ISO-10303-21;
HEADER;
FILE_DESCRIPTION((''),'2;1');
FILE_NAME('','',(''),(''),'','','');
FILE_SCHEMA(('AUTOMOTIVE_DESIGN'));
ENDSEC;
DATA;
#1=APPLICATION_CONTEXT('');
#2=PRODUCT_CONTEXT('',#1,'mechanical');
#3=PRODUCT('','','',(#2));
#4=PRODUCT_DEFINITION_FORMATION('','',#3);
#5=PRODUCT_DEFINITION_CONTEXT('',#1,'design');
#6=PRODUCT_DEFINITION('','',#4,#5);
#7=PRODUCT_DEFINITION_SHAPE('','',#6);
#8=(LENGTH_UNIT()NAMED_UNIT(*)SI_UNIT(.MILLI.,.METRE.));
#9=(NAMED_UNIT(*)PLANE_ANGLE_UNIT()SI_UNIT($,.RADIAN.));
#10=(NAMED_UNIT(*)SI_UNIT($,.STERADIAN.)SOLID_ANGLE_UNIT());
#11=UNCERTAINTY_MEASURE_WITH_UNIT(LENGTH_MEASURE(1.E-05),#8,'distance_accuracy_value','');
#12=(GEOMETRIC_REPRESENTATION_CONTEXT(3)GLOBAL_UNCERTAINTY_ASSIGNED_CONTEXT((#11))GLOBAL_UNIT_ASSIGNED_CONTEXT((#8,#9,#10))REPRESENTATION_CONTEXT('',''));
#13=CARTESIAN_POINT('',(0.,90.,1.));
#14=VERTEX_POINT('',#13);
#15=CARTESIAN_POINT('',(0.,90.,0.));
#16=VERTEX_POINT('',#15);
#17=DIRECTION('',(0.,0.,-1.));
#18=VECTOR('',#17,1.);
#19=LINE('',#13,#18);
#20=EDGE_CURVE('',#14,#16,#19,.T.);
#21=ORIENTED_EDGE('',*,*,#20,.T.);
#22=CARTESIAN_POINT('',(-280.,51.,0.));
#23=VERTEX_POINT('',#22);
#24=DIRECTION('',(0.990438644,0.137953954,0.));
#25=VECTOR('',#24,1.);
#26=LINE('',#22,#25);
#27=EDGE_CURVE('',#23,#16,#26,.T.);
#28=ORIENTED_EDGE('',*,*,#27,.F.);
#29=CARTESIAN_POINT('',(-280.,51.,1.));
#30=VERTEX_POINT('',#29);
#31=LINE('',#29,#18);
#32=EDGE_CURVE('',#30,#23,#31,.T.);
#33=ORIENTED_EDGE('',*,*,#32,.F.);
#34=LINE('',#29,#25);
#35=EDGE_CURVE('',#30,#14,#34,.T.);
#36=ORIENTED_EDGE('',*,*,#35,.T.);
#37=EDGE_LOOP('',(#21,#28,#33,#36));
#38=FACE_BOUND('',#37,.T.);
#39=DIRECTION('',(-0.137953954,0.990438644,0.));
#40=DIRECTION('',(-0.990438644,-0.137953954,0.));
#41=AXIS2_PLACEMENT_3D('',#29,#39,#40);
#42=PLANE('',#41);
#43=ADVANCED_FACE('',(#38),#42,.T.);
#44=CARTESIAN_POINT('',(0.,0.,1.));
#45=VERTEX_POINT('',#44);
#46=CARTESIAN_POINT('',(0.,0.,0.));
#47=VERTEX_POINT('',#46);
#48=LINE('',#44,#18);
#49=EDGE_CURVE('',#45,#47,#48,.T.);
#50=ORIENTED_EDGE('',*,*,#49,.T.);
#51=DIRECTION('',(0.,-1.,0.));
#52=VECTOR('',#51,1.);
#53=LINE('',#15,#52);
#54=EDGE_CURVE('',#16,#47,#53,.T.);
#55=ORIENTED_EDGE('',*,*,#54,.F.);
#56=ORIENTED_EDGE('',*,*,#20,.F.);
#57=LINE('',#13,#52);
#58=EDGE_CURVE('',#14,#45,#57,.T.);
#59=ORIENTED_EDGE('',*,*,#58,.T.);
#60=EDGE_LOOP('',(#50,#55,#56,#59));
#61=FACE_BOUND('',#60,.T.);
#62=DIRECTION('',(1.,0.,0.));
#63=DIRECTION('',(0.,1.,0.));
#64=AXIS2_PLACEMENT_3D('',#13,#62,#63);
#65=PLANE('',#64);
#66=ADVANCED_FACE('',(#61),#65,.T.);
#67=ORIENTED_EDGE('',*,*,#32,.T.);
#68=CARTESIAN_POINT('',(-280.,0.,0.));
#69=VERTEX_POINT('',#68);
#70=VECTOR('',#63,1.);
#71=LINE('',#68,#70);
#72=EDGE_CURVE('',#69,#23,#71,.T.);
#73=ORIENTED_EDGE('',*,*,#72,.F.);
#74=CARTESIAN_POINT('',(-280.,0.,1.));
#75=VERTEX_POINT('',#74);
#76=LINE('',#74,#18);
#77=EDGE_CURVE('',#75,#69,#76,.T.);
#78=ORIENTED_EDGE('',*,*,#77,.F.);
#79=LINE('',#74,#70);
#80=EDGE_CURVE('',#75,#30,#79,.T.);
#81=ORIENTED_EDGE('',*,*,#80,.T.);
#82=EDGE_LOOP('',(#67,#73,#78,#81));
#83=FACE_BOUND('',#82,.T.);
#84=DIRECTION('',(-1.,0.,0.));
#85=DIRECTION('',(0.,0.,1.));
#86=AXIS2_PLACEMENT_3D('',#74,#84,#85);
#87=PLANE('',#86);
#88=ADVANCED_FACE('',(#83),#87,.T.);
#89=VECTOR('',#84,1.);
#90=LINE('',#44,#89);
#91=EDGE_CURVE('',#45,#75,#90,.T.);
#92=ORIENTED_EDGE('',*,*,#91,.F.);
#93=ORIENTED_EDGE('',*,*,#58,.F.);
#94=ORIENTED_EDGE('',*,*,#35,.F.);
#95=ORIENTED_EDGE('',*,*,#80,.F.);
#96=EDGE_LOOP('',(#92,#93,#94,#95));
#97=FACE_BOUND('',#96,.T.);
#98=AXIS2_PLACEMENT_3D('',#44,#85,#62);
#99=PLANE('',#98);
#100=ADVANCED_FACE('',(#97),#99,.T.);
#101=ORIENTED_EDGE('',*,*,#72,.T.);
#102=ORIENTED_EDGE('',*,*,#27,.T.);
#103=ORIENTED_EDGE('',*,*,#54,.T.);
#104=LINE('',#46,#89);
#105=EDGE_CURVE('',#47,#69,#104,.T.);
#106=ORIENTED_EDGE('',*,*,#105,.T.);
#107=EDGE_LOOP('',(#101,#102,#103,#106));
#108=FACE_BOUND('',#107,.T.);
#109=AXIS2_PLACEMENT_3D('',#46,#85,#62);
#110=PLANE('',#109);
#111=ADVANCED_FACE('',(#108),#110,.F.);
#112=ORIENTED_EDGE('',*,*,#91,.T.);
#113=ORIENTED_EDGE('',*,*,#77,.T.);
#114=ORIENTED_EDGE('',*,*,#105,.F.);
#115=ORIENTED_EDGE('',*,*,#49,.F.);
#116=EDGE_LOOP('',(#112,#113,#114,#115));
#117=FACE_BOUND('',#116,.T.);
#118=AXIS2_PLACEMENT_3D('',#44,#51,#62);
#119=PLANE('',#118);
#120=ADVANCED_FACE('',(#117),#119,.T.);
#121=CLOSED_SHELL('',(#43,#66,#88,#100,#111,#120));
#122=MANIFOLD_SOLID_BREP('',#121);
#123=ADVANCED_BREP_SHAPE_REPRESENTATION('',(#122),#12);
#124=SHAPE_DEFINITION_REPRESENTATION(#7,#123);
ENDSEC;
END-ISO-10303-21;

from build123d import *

# Parameters (mm, degrees)
BOSS_EXTRUDE1_DEPTH = 1


with BuildPart() as part:
    # Sketch1 → Boss-Extrude1 (new body)
    with BuildSketch(Plane.XY):
        Polygon((0, 0), (-280, 0), (-280, 51), (0, 90), align=None)
    extrude(amount=BOSS_EXTRUDE1_DEPTH)


solid = part.part
